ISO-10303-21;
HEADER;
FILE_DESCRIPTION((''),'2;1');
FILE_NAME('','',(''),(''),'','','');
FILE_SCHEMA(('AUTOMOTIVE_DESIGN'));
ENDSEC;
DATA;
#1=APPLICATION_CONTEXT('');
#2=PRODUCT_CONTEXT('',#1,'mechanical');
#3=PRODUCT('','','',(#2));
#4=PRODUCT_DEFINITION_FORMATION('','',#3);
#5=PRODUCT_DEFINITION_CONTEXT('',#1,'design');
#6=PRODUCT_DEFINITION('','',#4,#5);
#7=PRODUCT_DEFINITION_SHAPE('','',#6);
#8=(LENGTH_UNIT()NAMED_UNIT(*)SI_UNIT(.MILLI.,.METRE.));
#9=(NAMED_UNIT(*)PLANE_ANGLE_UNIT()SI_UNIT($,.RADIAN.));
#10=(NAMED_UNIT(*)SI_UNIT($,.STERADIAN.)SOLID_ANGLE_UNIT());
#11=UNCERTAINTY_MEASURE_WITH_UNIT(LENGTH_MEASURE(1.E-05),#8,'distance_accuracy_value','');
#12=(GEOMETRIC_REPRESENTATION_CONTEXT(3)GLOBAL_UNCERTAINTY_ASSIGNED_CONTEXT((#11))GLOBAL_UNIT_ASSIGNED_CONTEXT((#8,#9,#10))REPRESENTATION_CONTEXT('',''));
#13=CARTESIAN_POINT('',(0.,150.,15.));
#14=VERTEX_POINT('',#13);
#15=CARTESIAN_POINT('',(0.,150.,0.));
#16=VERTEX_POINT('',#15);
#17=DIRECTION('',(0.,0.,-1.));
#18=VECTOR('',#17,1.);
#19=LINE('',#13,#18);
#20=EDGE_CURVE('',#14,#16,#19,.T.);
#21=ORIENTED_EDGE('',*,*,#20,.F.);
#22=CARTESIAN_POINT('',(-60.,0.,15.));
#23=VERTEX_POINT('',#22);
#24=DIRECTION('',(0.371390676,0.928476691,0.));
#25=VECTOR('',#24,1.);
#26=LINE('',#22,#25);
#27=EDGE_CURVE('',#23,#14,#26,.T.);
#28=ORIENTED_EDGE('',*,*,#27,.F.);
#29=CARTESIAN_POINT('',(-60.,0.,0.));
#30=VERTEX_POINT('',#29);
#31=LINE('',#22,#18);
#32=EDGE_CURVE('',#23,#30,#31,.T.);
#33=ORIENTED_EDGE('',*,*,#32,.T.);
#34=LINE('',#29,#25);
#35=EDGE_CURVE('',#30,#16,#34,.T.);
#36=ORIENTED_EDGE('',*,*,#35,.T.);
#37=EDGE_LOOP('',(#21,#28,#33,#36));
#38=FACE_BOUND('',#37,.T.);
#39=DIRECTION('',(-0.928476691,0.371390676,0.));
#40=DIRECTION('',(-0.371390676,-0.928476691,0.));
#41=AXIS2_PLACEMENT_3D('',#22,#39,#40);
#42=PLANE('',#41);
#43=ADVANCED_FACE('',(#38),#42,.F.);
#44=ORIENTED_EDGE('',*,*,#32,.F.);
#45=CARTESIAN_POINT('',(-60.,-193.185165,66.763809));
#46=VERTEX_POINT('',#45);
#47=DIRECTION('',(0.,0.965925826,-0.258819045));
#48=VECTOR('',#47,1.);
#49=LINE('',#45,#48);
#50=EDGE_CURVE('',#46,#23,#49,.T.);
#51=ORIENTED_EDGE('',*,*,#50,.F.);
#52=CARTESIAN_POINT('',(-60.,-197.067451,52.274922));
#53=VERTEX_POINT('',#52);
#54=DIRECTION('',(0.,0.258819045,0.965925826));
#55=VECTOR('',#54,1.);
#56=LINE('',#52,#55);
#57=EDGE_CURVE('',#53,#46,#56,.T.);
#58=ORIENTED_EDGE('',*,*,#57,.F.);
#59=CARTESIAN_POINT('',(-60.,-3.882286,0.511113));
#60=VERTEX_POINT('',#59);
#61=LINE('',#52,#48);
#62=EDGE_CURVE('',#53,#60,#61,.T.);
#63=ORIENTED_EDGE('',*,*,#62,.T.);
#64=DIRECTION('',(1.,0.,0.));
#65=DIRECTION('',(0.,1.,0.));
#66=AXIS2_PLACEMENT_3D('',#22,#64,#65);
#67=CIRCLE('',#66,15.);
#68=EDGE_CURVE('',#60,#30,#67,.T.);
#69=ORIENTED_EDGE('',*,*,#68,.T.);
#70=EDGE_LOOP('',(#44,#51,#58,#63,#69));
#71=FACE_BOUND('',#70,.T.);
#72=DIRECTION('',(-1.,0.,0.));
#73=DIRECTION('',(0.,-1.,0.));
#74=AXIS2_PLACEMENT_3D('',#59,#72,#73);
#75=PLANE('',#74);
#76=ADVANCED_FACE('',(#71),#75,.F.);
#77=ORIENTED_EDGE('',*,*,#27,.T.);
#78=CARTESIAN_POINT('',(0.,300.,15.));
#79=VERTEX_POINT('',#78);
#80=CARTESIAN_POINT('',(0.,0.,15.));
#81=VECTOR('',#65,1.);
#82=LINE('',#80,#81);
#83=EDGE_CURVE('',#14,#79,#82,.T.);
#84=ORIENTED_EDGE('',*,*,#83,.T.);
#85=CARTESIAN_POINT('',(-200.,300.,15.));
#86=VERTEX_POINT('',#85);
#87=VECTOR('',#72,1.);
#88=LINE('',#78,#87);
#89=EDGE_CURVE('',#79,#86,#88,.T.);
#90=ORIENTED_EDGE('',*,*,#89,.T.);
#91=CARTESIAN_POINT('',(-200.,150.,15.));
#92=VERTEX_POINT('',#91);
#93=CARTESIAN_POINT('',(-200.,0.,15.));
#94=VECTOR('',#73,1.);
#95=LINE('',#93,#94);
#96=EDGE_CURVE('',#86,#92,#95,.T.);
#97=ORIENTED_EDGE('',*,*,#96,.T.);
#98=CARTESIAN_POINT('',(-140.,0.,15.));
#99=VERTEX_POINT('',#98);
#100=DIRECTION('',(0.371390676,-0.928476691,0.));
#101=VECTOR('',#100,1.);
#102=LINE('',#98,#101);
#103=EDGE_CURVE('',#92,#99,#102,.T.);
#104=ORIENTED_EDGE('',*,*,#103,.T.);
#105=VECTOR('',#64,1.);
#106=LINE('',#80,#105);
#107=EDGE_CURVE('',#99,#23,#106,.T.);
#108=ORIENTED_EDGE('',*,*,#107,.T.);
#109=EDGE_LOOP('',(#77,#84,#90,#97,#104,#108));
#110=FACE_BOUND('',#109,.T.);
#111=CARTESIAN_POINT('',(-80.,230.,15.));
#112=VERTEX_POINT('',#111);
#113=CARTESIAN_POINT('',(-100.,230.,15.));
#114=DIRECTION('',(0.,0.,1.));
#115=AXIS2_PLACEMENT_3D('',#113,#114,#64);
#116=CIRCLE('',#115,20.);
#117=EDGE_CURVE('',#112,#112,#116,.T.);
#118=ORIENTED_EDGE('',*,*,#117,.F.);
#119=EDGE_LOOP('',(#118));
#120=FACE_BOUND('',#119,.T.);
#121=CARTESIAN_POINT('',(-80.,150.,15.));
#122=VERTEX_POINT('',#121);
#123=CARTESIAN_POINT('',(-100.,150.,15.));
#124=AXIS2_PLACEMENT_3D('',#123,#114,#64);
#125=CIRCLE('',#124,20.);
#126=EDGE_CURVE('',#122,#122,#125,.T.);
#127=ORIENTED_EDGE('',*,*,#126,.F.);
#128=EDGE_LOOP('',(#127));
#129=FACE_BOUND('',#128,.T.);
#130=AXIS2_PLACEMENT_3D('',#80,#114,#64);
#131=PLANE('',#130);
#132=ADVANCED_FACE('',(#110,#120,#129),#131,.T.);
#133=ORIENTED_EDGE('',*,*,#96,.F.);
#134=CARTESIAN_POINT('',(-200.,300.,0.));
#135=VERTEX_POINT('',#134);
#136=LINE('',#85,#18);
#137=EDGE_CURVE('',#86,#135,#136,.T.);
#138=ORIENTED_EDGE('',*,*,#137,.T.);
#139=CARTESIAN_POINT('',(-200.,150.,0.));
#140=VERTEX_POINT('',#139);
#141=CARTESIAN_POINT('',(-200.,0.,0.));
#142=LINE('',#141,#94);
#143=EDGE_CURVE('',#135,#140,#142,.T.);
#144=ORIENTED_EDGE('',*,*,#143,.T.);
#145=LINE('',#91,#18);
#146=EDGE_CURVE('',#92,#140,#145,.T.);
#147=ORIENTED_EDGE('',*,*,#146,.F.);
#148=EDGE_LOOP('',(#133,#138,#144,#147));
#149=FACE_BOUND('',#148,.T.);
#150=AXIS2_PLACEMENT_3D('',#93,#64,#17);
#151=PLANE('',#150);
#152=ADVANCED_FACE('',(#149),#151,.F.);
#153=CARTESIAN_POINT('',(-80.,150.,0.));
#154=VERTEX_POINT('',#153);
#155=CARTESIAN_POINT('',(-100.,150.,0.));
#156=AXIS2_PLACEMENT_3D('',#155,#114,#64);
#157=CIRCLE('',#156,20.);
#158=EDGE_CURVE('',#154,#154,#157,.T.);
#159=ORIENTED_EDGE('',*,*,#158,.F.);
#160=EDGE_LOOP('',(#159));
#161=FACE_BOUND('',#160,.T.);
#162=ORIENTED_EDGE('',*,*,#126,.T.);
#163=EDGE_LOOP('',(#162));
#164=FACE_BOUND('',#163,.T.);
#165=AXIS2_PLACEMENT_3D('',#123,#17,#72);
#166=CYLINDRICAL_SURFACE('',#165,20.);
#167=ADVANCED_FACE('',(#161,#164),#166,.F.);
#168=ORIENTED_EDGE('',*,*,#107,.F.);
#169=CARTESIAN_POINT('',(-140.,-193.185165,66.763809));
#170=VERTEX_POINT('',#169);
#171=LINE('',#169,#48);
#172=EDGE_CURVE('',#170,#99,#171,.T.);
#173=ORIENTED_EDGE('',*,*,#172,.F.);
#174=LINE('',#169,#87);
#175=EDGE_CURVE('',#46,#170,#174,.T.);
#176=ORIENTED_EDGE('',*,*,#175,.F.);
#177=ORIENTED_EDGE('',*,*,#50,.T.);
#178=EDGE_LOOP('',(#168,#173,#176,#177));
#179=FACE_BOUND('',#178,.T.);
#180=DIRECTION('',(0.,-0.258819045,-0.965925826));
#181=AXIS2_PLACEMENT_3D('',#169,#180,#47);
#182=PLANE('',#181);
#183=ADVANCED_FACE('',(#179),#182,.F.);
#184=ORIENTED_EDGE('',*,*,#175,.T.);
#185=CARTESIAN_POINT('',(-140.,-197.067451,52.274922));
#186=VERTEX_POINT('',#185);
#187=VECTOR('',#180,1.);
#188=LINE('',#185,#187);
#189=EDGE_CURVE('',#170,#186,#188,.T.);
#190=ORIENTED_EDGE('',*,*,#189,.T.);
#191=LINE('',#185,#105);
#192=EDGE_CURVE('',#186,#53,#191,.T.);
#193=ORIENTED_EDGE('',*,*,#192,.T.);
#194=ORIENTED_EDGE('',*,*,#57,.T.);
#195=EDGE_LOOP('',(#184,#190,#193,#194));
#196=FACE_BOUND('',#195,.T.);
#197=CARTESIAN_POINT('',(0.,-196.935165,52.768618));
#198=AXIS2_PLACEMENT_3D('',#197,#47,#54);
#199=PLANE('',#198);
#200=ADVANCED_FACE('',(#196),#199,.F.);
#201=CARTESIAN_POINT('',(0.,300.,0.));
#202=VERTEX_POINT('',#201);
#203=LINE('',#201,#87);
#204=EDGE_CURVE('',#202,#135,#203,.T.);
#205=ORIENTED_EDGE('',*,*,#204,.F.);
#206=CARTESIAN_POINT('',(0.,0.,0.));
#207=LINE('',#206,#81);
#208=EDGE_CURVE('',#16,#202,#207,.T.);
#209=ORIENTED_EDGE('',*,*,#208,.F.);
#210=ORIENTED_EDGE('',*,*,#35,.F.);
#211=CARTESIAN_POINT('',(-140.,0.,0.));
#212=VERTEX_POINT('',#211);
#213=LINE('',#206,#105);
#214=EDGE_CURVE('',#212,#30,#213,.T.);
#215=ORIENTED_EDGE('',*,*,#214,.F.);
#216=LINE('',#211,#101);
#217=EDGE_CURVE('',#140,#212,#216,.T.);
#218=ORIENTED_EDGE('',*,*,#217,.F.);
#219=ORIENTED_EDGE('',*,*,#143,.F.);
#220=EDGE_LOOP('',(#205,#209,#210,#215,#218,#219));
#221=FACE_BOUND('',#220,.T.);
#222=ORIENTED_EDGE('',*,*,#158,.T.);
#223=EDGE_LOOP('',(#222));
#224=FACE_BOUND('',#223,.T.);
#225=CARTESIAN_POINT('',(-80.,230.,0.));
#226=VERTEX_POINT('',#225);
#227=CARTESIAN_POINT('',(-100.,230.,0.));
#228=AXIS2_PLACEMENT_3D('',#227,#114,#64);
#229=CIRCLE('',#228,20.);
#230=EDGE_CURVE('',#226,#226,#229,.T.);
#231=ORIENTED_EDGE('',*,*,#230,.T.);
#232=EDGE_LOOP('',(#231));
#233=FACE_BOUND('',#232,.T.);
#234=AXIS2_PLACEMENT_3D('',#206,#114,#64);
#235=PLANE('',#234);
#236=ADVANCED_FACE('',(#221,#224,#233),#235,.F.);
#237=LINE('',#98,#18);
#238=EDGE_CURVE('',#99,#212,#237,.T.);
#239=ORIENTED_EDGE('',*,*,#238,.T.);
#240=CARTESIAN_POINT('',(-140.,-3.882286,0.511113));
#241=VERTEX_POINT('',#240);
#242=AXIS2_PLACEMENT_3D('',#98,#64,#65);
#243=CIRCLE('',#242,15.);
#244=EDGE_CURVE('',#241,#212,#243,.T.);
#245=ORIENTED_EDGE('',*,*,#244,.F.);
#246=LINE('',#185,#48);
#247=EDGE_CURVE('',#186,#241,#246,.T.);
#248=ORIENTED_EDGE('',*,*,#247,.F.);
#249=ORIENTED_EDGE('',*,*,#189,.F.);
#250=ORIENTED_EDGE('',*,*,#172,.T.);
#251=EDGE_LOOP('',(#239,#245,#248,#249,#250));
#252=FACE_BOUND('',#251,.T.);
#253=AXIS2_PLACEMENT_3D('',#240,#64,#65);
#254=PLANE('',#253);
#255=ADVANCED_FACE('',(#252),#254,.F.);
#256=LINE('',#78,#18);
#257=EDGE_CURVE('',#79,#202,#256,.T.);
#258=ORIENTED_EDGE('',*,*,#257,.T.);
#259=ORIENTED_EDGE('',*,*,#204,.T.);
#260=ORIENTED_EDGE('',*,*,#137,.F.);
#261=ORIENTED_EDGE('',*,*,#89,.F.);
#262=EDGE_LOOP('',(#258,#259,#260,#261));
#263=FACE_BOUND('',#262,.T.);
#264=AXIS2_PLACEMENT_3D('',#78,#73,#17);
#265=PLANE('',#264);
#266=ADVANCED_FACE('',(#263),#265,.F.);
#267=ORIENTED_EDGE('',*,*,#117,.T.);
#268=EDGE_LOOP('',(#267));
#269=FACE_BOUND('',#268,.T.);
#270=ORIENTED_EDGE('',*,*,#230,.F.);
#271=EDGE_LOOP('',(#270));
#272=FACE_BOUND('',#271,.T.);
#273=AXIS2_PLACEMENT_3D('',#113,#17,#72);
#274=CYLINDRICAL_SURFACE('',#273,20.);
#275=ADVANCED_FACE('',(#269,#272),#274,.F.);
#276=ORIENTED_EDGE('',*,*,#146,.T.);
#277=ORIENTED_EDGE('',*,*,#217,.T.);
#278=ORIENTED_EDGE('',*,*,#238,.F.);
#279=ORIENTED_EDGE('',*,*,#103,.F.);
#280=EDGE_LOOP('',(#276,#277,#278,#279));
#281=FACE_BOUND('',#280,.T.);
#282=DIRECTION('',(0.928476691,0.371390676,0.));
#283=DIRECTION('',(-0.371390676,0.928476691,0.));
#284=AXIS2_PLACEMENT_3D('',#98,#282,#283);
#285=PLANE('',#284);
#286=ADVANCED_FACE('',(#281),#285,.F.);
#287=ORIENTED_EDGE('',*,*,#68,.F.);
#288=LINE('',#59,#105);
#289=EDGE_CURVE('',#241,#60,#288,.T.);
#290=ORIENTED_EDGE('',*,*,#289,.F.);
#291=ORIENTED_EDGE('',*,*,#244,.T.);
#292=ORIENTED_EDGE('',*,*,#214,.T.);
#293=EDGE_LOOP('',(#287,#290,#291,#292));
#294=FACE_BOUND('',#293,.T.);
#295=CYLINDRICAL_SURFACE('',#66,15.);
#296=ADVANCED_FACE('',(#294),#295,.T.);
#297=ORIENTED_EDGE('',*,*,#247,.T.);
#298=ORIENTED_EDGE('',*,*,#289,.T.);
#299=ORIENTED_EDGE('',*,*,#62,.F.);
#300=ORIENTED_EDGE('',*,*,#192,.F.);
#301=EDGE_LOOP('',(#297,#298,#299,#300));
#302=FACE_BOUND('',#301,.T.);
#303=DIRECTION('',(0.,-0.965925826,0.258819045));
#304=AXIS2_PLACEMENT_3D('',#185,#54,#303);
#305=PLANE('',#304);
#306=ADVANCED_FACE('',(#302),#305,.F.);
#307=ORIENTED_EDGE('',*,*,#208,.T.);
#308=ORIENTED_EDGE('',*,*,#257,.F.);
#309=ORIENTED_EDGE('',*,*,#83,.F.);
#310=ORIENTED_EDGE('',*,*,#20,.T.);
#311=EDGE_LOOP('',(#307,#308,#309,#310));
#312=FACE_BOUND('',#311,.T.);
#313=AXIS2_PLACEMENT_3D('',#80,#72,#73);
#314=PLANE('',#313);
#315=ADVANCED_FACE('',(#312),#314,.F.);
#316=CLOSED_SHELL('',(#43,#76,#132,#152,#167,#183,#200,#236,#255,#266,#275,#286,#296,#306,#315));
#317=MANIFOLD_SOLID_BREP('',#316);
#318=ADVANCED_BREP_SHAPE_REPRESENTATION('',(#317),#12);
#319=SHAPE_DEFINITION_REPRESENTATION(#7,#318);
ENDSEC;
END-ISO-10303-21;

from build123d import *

# Parameters (mm, degrees)
SKETCH1_W           = 200
SKETCH1_H           = 300
SKETCH1_R           = 20
BOSS_EXTRUDE1_DEPTH = 15
CUT_EXTRUDE1_DEPTH  = 15
SKETCH3_W           = 80
SKETCH3_H           = 15
REVOLVE1_ANGLE      = 15
SKETCH4_W           = 80
SKETCH4_H           = 15
BOSS_EXTRUDE3_DEPTH = 200


with BuildPart() as part:
    # Sketch1 → Boss-Extrude1 (new body)
    with BuildSketch(Plane.XY):
        with Locations((-100, 150)):
            Rectangle(SKETCH1_W, SKETCH1_H)
        with Locations((-100, 230)):
            Circle(SKETCH1_R, mode=Mode.SUBTRACT)
        with Locations((-100, 150)):
            Circle(SKETCH1_R, mode=Mode.SUBTRACT)
    extrude(amount=BOSS_EXTRUDE1_DEPTH)

    # Sketch2 → Cut-Extrude1 (cut)
    with BuildSketch(Plane(origin=(0, 0, 0), x_dir=(-1, 0, 0), z_dir=(0, 0, -1))):
        Polygon((0, 0), (60, 0), (0, 150), align=None)
        Polygon((200, 0), (140, 0), (200, 150), align=None)
    extrude(amount=-CUT_EXTRUDE1_DEPTH, mode=Mode.SUBTRACT)

    # Sketch3 → Revolve1 (revolve)
    with BuildSketch(Plane.XZ):
        with Locations((-100, 7.5)):
            Rectangle(SKETCH3_W, SKETCH3_H)
    revolve(axis=Axis((-60, 0, 15), (-1, 0, 0)), revolution_arc=REVOLVE1_ANGLE)

    # Sketch4 → Boss-Extrude3 (add)
    with BuildSketch(Plane(origin=(0, -3.75, 1.004809472), x_dir=(1, 0, 0), z_dir=(0, -0.9659258262890681, 0.25881904510252135))):
        with Locations((-100, 6.988887394)):
            Rectangle(SKETCH4_W, SKETCH4_H)
    extrude(amount=BOSS_EXTRUDE3_DEPTH)


solid = part.part
